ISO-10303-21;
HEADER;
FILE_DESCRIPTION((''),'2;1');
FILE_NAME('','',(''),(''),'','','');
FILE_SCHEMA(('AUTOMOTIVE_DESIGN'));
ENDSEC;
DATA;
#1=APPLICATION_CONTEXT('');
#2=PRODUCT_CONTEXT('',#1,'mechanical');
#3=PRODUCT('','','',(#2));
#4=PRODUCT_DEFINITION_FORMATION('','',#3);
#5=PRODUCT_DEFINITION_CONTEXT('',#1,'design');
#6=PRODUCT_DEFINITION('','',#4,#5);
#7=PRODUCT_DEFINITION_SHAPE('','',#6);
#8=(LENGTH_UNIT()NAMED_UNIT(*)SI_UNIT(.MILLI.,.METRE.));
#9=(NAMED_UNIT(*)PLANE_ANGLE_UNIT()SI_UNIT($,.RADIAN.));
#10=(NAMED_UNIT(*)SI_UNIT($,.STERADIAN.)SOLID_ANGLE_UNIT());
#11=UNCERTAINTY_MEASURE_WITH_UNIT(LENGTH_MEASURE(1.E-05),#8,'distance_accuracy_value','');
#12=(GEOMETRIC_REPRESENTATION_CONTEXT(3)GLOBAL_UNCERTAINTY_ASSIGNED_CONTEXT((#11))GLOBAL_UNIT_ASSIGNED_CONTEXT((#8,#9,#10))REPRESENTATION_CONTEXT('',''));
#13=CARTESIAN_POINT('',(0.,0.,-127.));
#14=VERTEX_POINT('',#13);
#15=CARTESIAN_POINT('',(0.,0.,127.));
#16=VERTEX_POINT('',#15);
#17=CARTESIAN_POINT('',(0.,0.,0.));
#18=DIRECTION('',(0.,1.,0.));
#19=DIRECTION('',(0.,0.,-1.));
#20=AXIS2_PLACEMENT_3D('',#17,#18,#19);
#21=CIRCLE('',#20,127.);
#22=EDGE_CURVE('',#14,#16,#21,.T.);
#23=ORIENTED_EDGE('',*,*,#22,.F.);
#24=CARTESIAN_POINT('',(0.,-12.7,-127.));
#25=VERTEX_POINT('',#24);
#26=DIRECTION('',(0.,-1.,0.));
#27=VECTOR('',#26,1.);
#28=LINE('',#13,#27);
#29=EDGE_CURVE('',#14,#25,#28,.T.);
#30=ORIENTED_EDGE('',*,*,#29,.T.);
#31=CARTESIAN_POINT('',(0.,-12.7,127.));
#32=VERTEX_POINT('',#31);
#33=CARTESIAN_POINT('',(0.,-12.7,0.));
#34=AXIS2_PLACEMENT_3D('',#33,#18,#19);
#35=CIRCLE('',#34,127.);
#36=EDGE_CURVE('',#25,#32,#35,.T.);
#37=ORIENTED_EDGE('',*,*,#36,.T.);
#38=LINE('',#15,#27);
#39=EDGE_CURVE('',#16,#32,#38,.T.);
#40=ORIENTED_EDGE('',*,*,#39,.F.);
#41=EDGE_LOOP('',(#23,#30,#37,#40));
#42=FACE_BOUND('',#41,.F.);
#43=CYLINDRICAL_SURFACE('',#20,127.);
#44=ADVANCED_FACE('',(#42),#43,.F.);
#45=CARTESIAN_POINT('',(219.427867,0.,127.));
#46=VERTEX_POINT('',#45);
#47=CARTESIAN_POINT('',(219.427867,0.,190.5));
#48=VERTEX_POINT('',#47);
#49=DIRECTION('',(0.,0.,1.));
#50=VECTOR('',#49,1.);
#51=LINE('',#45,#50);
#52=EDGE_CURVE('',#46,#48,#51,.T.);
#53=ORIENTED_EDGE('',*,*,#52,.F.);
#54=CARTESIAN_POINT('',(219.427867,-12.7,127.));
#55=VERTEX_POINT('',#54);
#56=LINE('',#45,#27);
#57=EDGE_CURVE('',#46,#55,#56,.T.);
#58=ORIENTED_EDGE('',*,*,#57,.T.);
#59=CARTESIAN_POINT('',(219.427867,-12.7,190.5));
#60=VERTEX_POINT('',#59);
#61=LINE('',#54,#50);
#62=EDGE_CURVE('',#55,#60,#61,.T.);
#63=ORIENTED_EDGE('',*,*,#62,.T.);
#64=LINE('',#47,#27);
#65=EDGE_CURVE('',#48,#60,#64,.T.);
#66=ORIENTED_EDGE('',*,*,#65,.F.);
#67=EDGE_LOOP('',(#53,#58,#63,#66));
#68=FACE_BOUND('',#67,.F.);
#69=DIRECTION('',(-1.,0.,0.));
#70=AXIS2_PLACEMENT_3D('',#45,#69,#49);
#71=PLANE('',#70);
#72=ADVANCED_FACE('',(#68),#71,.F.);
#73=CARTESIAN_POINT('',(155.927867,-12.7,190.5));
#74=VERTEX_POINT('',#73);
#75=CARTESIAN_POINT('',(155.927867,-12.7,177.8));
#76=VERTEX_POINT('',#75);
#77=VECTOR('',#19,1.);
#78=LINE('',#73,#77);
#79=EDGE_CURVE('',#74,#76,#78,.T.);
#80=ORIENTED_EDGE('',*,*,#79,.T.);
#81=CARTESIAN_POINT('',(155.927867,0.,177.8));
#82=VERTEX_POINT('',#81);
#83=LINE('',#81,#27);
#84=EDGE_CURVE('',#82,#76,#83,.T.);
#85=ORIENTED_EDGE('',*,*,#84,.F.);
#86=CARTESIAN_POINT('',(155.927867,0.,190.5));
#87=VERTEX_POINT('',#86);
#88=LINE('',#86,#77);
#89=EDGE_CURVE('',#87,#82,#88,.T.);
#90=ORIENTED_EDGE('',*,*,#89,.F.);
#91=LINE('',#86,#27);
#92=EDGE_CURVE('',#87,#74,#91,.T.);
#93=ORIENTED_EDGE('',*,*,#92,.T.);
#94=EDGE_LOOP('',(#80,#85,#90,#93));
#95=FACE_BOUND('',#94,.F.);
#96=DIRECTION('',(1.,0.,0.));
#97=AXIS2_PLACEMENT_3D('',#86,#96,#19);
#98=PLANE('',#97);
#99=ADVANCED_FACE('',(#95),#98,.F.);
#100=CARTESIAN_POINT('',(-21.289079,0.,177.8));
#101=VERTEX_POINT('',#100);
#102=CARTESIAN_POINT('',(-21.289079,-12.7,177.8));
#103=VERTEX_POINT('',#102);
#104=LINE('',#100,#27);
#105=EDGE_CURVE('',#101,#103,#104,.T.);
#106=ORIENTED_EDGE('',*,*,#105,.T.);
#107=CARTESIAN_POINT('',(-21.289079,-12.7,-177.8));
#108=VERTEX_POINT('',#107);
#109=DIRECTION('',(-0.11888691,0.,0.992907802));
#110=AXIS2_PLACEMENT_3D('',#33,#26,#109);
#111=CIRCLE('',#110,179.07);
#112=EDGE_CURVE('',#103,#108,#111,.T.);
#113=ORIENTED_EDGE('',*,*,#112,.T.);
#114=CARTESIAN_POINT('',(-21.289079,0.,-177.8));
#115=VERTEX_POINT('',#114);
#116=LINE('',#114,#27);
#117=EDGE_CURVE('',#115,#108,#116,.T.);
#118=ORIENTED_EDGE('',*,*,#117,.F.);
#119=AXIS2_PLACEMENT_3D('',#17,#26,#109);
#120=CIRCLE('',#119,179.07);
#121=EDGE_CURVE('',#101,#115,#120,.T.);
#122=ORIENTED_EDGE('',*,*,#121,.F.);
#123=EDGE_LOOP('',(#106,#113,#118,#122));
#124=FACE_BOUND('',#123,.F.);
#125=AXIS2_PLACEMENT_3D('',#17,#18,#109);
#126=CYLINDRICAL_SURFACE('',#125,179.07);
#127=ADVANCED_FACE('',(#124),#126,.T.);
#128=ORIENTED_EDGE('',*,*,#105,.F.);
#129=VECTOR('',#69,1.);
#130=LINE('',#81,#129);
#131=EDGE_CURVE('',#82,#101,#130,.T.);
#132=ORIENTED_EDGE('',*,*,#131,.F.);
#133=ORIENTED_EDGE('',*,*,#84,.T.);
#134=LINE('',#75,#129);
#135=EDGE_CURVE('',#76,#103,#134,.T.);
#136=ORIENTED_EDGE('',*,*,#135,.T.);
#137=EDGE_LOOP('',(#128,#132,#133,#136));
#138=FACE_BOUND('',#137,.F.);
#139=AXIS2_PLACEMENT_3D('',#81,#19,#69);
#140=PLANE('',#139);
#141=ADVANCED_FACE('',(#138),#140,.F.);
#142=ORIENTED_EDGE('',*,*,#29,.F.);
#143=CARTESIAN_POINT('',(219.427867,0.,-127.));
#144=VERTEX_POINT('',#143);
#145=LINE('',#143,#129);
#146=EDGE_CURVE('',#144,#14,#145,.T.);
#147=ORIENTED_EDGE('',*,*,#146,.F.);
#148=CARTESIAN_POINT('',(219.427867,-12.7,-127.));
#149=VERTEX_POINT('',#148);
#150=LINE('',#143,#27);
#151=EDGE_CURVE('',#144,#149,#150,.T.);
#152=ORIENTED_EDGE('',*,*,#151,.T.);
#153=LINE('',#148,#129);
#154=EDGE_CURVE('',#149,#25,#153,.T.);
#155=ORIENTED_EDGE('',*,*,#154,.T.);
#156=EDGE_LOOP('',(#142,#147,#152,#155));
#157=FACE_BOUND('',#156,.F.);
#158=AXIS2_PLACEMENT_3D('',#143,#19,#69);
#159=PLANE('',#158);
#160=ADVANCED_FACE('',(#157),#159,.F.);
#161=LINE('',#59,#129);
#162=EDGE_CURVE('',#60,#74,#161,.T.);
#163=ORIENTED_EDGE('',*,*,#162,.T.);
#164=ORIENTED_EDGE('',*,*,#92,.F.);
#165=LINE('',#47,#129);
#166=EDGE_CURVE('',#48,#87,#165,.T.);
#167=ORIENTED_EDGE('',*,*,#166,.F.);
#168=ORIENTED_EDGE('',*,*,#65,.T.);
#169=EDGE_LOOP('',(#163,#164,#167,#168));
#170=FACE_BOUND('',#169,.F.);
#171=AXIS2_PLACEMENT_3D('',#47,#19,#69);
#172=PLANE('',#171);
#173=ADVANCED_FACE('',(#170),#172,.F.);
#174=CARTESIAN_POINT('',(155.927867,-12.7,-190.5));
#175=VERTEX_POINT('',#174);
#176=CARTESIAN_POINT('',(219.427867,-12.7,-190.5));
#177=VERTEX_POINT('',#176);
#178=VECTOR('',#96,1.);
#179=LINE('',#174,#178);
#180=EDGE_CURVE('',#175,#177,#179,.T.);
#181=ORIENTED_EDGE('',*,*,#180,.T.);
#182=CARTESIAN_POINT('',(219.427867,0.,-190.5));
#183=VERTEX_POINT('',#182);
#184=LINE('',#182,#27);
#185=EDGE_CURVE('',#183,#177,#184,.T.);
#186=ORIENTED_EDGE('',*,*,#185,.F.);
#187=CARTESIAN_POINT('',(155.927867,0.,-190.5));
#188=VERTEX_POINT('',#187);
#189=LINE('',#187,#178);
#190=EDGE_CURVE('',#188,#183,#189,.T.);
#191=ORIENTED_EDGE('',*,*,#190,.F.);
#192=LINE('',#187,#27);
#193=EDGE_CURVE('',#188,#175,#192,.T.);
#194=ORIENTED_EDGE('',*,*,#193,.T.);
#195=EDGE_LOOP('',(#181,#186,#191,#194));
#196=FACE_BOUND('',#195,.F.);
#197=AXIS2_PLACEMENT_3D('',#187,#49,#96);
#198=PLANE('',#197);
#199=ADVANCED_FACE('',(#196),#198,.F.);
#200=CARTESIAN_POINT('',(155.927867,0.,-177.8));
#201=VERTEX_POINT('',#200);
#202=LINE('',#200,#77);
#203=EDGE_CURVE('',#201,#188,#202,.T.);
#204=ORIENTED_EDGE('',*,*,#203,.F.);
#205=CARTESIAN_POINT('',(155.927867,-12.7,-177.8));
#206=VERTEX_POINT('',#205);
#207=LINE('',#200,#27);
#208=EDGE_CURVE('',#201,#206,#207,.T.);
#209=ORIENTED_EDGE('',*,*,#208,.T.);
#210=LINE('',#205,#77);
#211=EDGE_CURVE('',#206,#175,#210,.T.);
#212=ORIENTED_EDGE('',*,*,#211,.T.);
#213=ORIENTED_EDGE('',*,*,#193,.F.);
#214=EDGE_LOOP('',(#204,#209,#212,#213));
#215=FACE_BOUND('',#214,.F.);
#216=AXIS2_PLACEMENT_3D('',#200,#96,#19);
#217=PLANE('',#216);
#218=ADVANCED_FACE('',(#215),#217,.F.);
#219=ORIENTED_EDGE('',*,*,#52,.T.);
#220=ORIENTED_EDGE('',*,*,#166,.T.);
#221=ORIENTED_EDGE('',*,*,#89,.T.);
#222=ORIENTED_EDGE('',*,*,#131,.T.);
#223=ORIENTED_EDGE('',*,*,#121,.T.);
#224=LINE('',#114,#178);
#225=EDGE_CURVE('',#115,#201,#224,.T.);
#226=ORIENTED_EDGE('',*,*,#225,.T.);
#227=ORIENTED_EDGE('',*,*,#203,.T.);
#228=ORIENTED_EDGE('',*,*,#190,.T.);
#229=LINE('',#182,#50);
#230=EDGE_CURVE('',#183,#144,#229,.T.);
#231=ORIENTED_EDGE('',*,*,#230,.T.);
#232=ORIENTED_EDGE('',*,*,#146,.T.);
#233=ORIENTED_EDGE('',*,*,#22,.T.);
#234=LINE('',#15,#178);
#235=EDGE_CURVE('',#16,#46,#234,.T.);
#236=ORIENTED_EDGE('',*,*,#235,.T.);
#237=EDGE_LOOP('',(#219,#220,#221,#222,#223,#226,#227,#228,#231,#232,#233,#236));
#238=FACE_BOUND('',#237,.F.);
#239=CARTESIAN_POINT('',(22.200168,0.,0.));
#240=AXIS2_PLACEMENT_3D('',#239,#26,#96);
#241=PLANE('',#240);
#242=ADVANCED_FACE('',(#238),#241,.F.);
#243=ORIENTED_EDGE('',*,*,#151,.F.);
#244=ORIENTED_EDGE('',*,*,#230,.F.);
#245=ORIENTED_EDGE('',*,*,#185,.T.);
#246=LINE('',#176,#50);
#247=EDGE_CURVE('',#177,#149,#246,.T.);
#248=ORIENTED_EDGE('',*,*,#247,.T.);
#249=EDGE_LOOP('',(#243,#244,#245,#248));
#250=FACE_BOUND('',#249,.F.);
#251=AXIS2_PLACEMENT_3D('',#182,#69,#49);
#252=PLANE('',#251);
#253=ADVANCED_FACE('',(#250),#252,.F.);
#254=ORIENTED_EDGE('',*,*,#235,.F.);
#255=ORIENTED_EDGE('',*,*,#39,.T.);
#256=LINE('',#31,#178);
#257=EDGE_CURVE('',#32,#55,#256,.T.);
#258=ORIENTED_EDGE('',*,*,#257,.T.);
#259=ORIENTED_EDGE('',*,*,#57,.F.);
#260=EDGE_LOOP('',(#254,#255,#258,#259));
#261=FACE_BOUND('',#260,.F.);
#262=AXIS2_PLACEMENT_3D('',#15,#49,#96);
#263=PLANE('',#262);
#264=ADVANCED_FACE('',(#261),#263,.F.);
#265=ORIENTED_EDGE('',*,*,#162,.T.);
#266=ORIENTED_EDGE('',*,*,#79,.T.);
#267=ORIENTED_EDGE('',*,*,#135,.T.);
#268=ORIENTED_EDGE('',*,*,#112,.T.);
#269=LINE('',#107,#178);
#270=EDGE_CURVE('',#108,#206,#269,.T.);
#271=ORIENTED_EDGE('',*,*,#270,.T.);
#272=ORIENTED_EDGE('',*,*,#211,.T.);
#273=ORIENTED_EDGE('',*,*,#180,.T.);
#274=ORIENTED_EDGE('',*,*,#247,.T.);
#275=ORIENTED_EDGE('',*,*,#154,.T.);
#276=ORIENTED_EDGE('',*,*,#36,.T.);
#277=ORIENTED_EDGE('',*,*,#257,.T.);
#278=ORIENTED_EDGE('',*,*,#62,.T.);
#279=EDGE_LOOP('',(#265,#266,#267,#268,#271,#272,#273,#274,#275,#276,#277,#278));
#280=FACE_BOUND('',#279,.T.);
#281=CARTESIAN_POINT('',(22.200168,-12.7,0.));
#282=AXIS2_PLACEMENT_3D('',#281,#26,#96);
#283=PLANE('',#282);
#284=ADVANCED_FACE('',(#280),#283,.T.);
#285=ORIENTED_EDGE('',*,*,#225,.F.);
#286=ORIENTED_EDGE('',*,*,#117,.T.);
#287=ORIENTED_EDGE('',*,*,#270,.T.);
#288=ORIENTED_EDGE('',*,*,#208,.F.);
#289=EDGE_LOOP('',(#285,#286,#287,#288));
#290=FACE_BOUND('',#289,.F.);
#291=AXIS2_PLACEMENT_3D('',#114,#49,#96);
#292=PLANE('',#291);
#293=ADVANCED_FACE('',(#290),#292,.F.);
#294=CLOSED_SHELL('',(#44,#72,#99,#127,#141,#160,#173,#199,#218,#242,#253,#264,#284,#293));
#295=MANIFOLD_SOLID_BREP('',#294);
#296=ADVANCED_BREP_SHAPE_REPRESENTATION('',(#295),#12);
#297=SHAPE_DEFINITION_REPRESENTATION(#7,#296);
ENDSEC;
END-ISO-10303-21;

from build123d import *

# Parameters (mm, degrees)
F1_DEPTH = 12.7


with BuildPart() as f1:
    # F0 (on Front) → F1 (new body)
    with BuildSketch(Plane.XZ):
        with BuildLine():
            Line((155.927867, 190.5), (155.927867, 177.8))
            Line((155.927867, 177.8), (-21.289079, 177.8))
            ThreePointArc((-21.289079, 177.8), (-179.07, 0), (-21.289079, -177.8))
            Line((-21.289079, -177.8), (155.927867, -177.8))
            Line((155.927867, -177.8), (155.927867, -190.5))
            Line((155.927867, -190.5), (219.427867, -190.5))
            Line((219.427867, -190.5), (219.427867, -127))
            Line((219.427867, -127), (190.5, -127))
            Line((190.5, -127), (155.927867, -127))
            Line((155.927867, -127), (0, -127))
            ThreePointArc((0, -127), (-127, 0), (0, 127))
            Line((0, 127), (155.927867, 127))
            Line((155.927867, 127), (190.5, 127))
            Line((190.5, 127), (219.427867, 127))
            Line((219.427867, 127), (219.427867, 190.5))
            Line((219.427867, 190.5), (155.927867, 190.5))
        make_face()
    extrude(amount=F1_DEPTH)


solid = f1.part
